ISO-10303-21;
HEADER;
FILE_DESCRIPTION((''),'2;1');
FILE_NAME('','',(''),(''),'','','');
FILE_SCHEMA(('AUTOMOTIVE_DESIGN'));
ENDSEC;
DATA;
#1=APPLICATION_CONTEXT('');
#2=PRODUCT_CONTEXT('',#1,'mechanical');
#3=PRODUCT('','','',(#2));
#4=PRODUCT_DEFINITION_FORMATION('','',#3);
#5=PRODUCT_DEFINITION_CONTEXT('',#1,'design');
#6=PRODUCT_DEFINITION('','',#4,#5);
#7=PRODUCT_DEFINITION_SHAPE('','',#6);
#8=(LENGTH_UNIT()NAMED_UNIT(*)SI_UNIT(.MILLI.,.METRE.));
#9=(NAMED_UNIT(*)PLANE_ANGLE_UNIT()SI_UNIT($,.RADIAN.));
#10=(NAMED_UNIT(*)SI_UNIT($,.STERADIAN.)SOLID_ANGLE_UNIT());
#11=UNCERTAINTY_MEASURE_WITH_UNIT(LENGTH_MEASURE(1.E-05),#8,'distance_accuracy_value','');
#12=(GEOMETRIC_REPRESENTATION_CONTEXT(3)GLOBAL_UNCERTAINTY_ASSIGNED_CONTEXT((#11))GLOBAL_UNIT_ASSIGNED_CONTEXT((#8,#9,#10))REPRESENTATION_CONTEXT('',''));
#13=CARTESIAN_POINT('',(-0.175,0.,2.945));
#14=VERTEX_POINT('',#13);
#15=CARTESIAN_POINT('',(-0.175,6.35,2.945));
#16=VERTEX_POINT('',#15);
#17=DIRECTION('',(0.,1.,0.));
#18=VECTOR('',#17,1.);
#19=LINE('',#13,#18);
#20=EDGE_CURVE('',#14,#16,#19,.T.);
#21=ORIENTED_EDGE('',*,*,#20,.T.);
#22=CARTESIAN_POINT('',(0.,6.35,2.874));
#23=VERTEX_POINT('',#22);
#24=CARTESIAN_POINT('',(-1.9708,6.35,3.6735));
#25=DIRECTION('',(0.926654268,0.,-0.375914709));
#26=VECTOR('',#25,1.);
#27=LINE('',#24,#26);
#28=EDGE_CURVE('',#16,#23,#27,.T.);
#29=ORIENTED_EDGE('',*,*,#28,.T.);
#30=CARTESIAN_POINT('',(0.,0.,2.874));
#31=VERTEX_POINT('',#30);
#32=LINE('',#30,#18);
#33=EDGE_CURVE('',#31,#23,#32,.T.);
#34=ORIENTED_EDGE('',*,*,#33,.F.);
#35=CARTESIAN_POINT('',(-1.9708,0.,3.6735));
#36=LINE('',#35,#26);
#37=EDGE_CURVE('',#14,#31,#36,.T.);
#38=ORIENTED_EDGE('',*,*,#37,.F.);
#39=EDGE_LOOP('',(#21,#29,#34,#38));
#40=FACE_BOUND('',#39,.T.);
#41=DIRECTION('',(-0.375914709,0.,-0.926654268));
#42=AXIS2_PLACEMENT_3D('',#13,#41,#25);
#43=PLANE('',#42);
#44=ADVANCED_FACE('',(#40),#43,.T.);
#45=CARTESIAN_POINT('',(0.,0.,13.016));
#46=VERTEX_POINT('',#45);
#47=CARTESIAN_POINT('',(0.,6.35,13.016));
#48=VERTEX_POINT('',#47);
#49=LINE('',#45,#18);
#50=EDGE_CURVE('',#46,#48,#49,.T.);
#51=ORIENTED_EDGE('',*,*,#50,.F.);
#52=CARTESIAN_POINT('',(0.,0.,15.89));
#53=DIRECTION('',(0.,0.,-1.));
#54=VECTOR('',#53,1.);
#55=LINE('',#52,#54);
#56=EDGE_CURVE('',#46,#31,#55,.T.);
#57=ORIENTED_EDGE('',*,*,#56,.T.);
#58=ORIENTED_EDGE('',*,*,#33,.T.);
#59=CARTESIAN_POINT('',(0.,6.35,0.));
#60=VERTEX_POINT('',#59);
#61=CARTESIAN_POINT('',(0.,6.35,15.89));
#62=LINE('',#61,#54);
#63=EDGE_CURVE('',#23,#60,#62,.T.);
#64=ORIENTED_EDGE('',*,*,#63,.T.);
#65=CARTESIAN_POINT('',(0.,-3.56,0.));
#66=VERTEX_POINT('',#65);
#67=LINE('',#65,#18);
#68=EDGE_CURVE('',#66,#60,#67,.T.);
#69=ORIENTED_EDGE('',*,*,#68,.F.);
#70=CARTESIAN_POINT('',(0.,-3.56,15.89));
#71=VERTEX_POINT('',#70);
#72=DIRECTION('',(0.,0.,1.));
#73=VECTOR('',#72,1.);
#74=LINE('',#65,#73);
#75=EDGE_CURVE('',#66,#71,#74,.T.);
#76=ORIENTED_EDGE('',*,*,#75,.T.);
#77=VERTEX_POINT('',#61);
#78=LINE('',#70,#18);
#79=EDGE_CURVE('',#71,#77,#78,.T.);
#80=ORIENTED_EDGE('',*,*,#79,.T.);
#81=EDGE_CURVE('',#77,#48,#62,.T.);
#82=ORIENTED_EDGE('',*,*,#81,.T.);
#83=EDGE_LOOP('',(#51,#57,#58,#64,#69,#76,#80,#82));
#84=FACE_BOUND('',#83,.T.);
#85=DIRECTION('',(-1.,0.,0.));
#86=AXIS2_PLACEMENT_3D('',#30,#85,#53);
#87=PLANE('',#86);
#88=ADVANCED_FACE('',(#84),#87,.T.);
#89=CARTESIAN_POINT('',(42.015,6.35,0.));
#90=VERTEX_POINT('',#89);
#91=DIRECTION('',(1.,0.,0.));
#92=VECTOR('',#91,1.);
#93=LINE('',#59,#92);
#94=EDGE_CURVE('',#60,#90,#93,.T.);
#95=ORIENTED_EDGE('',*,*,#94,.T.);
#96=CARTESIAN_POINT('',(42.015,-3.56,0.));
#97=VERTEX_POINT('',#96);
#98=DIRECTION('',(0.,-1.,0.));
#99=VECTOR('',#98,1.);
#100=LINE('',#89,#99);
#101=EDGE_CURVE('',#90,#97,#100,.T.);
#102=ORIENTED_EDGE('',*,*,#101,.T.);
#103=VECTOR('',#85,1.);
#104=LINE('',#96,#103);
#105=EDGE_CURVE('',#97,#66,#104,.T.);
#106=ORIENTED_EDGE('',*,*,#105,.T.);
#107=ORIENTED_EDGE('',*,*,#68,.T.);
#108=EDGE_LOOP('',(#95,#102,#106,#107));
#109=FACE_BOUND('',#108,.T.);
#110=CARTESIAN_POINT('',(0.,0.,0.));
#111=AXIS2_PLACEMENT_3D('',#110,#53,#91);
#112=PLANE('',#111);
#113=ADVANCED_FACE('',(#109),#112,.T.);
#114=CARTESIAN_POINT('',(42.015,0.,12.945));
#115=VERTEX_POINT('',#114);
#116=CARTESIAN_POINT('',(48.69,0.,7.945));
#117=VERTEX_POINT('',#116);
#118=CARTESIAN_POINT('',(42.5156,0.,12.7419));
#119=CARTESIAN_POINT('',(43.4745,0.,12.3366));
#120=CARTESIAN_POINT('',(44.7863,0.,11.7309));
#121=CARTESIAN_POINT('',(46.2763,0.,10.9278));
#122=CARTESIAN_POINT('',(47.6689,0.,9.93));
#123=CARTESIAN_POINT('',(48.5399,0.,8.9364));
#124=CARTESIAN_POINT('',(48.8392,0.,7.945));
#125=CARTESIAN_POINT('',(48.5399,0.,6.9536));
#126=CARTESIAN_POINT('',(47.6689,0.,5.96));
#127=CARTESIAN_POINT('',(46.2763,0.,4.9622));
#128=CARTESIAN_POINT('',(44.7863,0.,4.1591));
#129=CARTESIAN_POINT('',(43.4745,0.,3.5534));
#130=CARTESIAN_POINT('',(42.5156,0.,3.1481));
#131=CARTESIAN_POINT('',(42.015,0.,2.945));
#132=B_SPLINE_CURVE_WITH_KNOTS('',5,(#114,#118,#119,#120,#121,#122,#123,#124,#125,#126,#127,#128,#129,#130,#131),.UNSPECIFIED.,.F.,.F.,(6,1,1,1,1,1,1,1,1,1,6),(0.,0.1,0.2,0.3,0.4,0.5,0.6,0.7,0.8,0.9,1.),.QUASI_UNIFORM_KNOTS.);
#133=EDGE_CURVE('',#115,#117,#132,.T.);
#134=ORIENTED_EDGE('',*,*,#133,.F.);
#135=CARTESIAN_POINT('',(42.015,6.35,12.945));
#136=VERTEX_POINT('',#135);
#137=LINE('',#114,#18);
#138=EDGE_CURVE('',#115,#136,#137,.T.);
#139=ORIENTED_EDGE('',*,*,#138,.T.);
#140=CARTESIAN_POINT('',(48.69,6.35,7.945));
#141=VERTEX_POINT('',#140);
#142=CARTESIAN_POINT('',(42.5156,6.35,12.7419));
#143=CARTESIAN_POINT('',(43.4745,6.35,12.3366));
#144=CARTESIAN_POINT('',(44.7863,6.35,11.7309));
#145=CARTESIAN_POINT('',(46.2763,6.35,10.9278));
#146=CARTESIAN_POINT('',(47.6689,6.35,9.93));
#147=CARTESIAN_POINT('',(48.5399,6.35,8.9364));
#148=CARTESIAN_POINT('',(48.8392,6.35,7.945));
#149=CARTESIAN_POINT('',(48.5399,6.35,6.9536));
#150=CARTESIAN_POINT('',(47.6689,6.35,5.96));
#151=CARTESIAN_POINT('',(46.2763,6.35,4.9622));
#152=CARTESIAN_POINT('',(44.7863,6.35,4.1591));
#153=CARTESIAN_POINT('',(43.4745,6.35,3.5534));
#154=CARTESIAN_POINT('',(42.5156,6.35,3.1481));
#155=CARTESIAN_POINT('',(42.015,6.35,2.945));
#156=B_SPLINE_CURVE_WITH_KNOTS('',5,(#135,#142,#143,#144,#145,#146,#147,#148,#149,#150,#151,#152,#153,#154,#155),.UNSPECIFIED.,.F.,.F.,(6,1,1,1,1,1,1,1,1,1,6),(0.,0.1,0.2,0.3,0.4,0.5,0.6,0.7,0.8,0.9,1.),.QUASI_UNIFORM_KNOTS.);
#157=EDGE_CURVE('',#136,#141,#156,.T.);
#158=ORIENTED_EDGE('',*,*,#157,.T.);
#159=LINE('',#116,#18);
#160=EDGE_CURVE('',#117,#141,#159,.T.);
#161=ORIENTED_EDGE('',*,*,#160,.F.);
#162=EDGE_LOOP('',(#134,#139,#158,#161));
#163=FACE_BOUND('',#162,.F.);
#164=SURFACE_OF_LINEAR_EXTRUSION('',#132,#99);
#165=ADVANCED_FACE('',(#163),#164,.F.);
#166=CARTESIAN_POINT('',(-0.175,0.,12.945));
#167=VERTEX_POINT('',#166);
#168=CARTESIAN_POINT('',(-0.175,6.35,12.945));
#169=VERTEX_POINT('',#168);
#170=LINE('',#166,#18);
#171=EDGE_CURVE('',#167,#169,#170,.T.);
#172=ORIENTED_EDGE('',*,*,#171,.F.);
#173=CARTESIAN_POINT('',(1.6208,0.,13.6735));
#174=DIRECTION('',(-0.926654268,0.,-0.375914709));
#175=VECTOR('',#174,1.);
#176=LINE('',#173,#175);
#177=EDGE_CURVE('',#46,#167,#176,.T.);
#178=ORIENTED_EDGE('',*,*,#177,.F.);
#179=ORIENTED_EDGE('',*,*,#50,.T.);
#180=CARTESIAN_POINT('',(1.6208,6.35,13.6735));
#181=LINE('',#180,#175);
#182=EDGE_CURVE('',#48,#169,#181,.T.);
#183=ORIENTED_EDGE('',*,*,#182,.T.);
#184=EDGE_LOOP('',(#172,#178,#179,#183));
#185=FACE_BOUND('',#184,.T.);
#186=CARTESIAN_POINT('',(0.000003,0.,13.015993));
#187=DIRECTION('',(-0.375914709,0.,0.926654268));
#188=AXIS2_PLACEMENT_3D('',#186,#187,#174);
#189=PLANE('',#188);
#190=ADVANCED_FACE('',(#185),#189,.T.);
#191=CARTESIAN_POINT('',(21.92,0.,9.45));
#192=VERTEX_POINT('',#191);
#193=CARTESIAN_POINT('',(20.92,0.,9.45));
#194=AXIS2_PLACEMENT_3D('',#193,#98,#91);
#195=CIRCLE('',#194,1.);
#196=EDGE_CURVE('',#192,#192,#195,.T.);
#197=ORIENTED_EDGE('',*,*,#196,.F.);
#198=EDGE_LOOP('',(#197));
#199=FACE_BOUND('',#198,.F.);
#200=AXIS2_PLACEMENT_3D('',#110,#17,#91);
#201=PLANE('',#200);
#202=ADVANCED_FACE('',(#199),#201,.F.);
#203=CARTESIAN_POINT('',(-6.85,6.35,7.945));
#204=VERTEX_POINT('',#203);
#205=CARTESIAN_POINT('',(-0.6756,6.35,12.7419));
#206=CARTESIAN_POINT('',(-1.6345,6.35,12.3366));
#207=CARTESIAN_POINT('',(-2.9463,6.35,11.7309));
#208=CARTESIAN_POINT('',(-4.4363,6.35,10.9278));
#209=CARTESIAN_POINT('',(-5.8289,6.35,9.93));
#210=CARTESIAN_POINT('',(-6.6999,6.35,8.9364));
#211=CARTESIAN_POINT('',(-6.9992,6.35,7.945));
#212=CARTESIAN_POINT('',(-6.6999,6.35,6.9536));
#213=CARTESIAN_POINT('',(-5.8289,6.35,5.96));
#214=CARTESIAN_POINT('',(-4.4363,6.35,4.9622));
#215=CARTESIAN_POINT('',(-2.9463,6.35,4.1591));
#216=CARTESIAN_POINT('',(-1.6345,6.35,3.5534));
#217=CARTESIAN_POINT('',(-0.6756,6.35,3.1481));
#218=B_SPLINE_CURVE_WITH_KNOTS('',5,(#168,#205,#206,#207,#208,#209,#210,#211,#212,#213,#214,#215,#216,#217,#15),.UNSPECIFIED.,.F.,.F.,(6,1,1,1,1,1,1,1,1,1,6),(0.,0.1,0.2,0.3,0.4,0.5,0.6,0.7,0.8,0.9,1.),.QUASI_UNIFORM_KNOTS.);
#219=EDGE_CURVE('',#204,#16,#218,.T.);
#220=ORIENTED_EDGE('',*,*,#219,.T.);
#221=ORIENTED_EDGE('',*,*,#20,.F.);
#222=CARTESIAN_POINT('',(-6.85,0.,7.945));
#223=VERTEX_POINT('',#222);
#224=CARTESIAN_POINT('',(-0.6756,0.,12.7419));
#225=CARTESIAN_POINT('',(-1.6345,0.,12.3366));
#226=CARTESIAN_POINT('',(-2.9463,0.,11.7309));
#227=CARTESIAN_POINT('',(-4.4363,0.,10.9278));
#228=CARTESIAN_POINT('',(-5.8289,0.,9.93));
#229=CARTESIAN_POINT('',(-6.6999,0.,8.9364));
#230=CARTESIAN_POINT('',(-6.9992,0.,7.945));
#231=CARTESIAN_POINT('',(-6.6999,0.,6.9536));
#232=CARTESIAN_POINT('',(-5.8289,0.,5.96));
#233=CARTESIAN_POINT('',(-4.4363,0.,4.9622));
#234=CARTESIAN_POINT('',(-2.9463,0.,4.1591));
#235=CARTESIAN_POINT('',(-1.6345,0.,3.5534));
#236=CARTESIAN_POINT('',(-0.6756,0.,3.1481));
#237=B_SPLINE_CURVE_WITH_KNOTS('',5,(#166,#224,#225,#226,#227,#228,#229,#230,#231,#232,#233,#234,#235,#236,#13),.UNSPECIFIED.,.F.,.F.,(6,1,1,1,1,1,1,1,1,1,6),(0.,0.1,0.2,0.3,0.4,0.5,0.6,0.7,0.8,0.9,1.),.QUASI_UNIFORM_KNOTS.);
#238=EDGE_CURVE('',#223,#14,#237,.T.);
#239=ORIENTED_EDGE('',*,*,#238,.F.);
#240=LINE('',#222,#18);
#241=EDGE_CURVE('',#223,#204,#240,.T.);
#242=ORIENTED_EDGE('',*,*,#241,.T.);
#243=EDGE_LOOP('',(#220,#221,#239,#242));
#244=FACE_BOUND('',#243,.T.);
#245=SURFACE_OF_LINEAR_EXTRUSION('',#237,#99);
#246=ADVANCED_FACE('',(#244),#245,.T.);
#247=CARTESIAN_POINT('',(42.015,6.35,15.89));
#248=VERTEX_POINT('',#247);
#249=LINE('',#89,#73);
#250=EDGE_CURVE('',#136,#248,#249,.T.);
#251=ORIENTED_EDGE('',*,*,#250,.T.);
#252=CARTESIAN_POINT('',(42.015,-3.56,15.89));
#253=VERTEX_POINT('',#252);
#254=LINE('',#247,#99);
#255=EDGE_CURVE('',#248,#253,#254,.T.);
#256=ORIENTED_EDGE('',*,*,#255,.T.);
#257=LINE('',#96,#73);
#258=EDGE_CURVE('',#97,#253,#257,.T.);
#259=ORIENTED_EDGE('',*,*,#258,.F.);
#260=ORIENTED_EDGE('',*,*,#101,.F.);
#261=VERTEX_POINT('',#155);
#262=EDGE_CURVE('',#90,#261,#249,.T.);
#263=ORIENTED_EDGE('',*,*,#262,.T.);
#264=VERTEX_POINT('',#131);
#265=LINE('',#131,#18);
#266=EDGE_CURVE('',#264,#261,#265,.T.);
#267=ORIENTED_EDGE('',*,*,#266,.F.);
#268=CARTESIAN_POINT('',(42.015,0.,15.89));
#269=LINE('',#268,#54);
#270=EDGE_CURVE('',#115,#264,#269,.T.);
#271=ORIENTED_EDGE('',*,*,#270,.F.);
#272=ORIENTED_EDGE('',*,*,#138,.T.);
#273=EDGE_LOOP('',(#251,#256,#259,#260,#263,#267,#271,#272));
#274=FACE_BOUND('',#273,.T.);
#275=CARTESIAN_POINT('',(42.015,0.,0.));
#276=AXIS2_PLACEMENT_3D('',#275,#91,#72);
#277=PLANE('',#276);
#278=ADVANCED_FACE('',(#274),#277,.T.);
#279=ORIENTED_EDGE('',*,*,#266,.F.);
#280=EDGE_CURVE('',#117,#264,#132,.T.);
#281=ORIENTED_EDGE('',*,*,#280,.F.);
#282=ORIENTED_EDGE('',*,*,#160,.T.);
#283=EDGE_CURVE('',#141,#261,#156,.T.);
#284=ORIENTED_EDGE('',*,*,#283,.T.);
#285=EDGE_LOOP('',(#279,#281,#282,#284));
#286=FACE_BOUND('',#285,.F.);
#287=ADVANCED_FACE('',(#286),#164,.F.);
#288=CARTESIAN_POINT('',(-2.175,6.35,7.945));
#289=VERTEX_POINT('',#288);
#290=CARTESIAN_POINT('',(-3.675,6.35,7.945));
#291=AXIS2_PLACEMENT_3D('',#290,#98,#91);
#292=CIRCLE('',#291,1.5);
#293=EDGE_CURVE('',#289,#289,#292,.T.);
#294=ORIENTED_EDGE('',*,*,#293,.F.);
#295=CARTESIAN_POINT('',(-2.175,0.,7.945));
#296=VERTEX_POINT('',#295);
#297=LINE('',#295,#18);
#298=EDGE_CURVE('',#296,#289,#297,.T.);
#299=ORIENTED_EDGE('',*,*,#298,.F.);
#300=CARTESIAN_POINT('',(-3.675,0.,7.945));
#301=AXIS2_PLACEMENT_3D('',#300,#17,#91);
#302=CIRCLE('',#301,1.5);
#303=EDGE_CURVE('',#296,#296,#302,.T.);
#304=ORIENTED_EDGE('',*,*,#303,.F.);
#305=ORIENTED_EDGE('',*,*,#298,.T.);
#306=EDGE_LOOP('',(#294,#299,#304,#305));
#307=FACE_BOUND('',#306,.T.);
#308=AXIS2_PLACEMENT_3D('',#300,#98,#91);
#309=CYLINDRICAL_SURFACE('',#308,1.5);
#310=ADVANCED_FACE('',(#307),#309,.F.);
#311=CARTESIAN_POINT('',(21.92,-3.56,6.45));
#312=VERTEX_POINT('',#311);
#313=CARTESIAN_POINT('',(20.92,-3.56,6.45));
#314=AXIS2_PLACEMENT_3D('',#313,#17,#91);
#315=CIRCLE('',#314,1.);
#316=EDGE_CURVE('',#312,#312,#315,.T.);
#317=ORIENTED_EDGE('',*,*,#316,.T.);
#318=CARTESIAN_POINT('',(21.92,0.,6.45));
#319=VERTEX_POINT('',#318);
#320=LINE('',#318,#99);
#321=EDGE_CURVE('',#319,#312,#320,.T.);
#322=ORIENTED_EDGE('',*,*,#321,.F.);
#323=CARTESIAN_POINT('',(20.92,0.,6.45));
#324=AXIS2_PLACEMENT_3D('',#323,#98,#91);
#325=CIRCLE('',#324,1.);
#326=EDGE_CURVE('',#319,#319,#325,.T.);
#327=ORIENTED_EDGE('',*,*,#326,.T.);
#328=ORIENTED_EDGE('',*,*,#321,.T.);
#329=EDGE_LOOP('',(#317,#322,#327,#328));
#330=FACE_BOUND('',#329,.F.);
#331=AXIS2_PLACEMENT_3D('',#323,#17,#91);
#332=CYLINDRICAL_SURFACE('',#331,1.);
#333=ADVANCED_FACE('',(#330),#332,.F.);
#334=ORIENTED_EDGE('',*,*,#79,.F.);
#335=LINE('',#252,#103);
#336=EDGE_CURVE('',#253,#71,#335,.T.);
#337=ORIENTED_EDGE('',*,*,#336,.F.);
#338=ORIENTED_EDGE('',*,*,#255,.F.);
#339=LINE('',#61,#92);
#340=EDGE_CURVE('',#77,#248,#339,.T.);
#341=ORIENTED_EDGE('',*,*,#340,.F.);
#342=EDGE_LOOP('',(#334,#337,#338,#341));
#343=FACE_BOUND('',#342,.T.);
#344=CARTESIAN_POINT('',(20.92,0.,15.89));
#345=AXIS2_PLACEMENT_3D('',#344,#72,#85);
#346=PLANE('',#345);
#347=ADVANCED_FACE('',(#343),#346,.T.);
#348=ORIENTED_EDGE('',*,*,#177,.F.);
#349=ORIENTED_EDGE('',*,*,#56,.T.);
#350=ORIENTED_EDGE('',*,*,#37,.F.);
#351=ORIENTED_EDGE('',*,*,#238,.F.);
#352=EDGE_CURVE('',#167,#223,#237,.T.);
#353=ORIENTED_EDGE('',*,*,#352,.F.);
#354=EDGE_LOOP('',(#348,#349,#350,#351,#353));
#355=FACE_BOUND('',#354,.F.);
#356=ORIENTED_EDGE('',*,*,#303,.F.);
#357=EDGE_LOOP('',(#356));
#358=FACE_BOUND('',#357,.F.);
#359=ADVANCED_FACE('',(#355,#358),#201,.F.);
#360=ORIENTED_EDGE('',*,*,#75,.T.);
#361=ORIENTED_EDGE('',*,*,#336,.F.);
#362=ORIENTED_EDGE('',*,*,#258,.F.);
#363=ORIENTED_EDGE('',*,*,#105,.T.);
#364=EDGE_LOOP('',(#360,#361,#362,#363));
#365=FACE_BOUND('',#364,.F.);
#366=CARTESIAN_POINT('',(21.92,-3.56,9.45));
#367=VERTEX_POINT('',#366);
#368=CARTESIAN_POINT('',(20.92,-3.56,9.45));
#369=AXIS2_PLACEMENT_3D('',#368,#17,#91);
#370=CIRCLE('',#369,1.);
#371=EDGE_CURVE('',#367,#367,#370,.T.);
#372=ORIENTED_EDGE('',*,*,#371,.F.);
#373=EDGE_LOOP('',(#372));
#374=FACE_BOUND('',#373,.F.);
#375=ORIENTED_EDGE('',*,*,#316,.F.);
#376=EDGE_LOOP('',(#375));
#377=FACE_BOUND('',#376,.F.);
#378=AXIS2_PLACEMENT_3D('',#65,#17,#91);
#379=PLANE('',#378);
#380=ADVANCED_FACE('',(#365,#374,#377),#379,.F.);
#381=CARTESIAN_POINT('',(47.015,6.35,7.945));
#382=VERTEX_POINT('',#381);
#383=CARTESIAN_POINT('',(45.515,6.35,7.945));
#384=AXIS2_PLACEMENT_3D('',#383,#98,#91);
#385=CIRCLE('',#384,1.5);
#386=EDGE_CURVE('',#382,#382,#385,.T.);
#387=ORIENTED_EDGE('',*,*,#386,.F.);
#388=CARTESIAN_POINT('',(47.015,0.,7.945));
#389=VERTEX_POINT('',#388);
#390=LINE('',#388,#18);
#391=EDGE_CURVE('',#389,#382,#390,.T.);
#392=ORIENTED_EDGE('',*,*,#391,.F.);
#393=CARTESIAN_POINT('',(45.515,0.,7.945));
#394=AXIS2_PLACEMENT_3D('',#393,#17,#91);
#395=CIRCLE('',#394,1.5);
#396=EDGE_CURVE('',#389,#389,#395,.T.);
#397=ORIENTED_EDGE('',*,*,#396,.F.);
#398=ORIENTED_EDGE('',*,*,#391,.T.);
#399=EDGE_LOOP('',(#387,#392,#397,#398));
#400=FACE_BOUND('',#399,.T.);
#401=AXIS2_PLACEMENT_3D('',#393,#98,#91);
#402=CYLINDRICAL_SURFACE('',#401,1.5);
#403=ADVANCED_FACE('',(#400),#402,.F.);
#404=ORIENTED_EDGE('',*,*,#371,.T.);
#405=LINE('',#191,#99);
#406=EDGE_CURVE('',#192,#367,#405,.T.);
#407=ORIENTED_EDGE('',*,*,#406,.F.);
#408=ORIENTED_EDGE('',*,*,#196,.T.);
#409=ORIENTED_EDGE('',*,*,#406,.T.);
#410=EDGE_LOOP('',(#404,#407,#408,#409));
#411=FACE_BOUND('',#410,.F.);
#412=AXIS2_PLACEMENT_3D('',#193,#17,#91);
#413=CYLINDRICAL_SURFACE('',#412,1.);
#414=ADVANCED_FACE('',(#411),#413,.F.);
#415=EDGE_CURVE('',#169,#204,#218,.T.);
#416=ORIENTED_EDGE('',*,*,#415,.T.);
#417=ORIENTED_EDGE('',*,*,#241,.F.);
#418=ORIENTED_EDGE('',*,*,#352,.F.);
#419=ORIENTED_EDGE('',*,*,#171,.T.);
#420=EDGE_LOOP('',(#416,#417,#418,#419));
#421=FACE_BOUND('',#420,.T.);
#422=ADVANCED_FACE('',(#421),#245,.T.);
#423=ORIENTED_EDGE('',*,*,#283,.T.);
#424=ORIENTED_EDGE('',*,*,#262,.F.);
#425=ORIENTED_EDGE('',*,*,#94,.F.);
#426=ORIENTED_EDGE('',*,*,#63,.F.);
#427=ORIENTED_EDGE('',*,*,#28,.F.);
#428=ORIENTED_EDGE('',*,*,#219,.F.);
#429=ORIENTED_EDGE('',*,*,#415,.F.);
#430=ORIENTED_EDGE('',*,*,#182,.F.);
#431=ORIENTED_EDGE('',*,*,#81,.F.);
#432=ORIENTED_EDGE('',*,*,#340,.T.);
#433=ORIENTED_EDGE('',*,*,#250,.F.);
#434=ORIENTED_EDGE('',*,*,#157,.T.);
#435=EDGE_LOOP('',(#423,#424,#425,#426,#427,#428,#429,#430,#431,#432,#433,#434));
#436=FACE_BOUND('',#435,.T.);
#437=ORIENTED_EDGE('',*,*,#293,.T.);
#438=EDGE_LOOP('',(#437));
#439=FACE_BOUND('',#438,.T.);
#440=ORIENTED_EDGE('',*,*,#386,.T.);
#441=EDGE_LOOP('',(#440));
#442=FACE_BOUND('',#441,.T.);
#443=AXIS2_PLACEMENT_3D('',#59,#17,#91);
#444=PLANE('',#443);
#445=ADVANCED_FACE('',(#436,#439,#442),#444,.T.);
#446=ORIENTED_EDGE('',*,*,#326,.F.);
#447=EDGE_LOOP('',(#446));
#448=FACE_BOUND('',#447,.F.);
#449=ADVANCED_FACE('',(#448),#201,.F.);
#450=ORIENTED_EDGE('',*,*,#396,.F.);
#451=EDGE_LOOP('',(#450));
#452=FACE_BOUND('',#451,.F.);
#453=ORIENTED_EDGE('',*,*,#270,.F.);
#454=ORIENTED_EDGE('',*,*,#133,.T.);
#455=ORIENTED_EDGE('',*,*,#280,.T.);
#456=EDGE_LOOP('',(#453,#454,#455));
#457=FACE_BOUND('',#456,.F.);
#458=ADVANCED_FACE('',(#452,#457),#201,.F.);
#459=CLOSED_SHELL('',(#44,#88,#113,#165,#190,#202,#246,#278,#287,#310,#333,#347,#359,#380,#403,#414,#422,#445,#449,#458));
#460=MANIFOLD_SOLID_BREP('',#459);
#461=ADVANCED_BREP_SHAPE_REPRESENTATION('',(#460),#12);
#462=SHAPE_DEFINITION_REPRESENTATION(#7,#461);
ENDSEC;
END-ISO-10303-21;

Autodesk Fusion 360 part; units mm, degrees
sketch "Sketch2" plane through (0, 0, 0) normal (0, 1, 0) x (1, 0, 0)
  line L0 (0, 0) -> (42.015, 0)
  line L1 (42.015, 0) -> (42.015, -15.89)
  line L2 (42.015, -15.89) -> (0, -15.89)
  line L3 (0, -15.89) -> (0, 0)
  circle A0 centre (45.515, -7.945) radius 1.5
  line L4 (42.015, -7.945) -> (48.69, -7.945)
  spline S0 degree 5 poles (42.015, -12.945) (42.5156, -12.7419) (43.4745, -12.3366) (44.7863, -11.7309) (46.2763, -10.9278) (47.6689, -9.93) (48.5399, -8.9364) (48.8392, -7.945) (48.5399, -6.9536) (47.6689, -5.96) (46.2763, -4.9622) (44.7863, -4.1591) (43.4745, -3.5534) (42.5156, -3.1481) (42.015, -2.945) knots 0 0 0 0 0 0 0.1 0.2 0.3 0.4 0.5 0.6 0.7 0.8 0.9 1 1 1 1 1 1
  line L5 (20.92, -15.89) -> (20.92, 0)
  spline S1 degree 5 poles (-0.175, -12.945) (-0.6756, -12.7419) (-1.6345, -12.3366) (-2.9463, -11.7309) (-4.4363, -10.9278) (-5.8289, -9.93) (-6.6999, -8.9364) (-6.9992, -7.945) (-6.6999, -6.9536) (-5.8289, -5.96) (-4.4363, -4.9622) (-2.9463, -4.1591) (-1.6345, -3.5534) (-0.6756, -3.1481) (-0.175, -2.945) knots 0 0 0 0 0 0 0.1 0.2 0.3 0.4 0.5 0.6 0.7 0.8 0.9 1 1 1 1 1 1
  line L6 (40.2192, -13.6735) -> (43.8108, -12.2165)
  line L7 (43.8108, -3.6735) -> (40.2192, -2.2165)
  line L8 (1.6208, -13.6735) -> (-1.9708, -12.2165)
  line L9 (-1.9708, -3.6735) -> (1.6208, -2.2165)
  circle A1 centre (-3.675, -7.945) radius 1.5
  line L10 (-0.175, -7.945) -> (-6.85, -7.945)
  circle A2 centre (20.92, -9.45) radius 1
  circle A3 centre (20.92, -6.45) radius 1
  line L11 (-0.175, -12.945) -> (0, -13.016)
  line L12 (-0.175, -7.945) -> (0, -7.945)
  line L13 (-0.175, -2.945) -> (0, -2.874)
  dimension "d2" = 15.89
  dimension "d3" = 3
  dimension "d5" = 3.5
  dimension "d6" = 10
  dimension "d7" = 2.945
  dimension "d8" = 15.89
  dimension "d19" = 2
  dimension "d20" = 2
  dimension "d21" = 3
  dimension "d22" = 6.45
  dimension "d25" = 49.19
  dimension "d26" = 42.19
  dimension "d27" = 55.54
  dimension "d29" = 7.945
extrude "Extrude1" add sketch "Sketch2" along normal blind 6.35 contours L0 L2 L3 L5 A2 A3 | L0 L1 L2 L5 A2 A3 | L3 S1 L9 A1 L10 L12 L13 | L5 A3 | L5 A3 | L3 S1 L8 A1 L10 L11 L12 | L1 A0 L4 S0 | L1 A0 L4 S0 | L5 A2 | L5 A2
extrude "Extrude2" add sketch "Sketch2" against normal blind 3.56 contours L0 L2 L3 L5 A2 A3 | L0 L1 L2 L5 A2 A3 | L5 A3 | L5 A3 | L5 A2 | L5 A2
extrude "Extrude3" cut sketch "Sketch2" against normal blind 25 contours L5 A3 | L5 A3 | L5 A2 | L5 A2
equation "d4 = 6.5 mm"
equation "d5 = d4 - 1.5 mm - d3 / 2"
equation "d7 = ( d8 - d6 ) / 2"
equation "d12 = -9.91 mm + 6.35 mm"
equation "d29 = d2 / 2"
